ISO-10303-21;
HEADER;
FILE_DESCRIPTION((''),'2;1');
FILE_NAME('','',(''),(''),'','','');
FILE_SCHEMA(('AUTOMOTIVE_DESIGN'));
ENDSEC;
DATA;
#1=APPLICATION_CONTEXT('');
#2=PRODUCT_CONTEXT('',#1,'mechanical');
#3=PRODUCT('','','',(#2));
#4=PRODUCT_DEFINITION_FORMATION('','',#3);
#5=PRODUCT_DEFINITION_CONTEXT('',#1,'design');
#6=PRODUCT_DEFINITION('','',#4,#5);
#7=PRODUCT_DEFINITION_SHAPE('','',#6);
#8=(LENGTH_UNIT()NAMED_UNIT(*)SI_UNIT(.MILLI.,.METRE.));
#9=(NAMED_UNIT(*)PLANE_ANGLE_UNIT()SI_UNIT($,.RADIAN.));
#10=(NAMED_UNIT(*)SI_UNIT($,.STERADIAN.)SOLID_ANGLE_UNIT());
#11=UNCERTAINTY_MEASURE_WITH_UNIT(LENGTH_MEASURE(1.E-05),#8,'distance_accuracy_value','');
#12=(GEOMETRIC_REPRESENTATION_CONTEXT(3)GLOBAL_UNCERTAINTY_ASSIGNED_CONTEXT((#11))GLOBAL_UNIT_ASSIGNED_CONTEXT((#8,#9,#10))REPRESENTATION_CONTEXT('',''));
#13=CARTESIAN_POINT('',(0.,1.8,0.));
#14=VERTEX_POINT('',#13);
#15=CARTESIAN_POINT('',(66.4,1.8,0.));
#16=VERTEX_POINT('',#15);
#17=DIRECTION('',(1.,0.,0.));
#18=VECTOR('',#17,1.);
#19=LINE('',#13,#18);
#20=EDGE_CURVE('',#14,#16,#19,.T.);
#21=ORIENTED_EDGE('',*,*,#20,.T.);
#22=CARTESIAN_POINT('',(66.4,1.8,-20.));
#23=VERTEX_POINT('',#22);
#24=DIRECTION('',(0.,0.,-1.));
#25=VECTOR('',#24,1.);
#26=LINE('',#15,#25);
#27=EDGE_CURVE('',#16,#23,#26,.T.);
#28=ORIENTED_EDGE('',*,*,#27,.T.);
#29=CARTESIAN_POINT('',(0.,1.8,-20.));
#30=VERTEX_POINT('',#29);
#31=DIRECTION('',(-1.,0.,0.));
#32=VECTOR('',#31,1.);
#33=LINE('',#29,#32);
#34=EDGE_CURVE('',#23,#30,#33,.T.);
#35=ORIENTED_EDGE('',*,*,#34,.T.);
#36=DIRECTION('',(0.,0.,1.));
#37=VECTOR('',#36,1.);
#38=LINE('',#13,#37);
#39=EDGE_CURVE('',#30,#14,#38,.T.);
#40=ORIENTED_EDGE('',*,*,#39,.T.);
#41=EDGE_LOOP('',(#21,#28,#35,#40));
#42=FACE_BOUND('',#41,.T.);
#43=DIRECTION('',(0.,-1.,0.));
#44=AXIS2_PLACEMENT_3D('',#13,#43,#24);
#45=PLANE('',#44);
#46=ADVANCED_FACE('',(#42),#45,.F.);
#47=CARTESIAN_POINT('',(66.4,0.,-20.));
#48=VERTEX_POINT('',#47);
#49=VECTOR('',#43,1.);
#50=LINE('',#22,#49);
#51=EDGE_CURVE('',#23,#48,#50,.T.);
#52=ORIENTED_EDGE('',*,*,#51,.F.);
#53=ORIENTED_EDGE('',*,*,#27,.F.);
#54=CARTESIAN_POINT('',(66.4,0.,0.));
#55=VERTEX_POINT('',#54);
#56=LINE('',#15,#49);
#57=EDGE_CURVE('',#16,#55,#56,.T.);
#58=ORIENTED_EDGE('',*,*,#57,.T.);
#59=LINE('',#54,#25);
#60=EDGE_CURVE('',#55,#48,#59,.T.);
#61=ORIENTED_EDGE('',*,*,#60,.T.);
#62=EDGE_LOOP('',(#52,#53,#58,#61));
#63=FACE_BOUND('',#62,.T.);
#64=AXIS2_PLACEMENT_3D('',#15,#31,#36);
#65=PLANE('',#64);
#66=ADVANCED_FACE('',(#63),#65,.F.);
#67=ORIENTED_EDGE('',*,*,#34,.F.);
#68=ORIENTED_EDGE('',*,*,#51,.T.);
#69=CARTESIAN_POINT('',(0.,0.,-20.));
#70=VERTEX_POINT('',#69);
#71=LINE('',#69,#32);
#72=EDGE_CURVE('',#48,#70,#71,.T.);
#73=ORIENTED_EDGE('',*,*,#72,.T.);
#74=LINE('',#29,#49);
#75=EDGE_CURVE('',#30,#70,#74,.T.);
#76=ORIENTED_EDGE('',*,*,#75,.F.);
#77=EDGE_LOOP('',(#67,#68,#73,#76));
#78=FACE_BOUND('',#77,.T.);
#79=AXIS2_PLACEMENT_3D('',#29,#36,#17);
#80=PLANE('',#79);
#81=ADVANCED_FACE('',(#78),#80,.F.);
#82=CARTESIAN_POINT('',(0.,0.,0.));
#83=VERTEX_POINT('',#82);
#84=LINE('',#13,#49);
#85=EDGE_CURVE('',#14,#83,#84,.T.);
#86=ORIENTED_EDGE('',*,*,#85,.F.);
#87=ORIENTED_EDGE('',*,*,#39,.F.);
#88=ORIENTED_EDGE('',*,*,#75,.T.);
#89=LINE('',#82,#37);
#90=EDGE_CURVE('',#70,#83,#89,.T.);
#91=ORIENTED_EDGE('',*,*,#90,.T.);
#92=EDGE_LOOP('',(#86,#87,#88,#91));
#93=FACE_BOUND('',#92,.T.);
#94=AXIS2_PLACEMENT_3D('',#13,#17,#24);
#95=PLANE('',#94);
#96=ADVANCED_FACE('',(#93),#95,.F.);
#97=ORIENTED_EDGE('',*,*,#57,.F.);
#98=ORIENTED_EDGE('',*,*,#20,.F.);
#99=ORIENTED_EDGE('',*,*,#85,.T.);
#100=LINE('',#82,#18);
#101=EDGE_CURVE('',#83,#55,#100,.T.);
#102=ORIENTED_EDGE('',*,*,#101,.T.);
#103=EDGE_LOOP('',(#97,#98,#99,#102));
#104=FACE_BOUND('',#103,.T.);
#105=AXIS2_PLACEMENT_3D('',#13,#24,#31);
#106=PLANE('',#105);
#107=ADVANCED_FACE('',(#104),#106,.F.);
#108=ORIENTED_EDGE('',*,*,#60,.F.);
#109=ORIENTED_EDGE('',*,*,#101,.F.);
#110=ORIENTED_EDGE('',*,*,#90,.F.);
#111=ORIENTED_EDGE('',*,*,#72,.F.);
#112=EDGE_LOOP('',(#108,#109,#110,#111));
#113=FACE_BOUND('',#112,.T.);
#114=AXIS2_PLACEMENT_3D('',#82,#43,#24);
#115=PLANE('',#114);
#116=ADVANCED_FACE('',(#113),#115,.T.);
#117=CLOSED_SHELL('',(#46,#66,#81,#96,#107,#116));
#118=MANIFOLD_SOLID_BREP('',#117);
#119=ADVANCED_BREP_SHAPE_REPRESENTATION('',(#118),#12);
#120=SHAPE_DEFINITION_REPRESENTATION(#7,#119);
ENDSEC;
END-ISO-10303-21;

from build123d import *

# Parameters (mm, degrees)
SKETCH_1_W      = 66.4
SKETCH_1_H      = 20
EXTRUDE_1_DEPTH = 1.8


with BuildPart() as part:
    # 草图1 → 凸台-拉伸1 (new body)
    with BuildSketch(Plane(origin=(0, 0, 0), x_dir=(1, 0, 0), z_dir=(0, 1, 0))):
        with Locations((33.2, 10)):
            Rectangle(SKETCH_1_W, SKETCH_1_H)
    extrude(amount=EXTRUDE_1_DEPTH)


solid = part.part
